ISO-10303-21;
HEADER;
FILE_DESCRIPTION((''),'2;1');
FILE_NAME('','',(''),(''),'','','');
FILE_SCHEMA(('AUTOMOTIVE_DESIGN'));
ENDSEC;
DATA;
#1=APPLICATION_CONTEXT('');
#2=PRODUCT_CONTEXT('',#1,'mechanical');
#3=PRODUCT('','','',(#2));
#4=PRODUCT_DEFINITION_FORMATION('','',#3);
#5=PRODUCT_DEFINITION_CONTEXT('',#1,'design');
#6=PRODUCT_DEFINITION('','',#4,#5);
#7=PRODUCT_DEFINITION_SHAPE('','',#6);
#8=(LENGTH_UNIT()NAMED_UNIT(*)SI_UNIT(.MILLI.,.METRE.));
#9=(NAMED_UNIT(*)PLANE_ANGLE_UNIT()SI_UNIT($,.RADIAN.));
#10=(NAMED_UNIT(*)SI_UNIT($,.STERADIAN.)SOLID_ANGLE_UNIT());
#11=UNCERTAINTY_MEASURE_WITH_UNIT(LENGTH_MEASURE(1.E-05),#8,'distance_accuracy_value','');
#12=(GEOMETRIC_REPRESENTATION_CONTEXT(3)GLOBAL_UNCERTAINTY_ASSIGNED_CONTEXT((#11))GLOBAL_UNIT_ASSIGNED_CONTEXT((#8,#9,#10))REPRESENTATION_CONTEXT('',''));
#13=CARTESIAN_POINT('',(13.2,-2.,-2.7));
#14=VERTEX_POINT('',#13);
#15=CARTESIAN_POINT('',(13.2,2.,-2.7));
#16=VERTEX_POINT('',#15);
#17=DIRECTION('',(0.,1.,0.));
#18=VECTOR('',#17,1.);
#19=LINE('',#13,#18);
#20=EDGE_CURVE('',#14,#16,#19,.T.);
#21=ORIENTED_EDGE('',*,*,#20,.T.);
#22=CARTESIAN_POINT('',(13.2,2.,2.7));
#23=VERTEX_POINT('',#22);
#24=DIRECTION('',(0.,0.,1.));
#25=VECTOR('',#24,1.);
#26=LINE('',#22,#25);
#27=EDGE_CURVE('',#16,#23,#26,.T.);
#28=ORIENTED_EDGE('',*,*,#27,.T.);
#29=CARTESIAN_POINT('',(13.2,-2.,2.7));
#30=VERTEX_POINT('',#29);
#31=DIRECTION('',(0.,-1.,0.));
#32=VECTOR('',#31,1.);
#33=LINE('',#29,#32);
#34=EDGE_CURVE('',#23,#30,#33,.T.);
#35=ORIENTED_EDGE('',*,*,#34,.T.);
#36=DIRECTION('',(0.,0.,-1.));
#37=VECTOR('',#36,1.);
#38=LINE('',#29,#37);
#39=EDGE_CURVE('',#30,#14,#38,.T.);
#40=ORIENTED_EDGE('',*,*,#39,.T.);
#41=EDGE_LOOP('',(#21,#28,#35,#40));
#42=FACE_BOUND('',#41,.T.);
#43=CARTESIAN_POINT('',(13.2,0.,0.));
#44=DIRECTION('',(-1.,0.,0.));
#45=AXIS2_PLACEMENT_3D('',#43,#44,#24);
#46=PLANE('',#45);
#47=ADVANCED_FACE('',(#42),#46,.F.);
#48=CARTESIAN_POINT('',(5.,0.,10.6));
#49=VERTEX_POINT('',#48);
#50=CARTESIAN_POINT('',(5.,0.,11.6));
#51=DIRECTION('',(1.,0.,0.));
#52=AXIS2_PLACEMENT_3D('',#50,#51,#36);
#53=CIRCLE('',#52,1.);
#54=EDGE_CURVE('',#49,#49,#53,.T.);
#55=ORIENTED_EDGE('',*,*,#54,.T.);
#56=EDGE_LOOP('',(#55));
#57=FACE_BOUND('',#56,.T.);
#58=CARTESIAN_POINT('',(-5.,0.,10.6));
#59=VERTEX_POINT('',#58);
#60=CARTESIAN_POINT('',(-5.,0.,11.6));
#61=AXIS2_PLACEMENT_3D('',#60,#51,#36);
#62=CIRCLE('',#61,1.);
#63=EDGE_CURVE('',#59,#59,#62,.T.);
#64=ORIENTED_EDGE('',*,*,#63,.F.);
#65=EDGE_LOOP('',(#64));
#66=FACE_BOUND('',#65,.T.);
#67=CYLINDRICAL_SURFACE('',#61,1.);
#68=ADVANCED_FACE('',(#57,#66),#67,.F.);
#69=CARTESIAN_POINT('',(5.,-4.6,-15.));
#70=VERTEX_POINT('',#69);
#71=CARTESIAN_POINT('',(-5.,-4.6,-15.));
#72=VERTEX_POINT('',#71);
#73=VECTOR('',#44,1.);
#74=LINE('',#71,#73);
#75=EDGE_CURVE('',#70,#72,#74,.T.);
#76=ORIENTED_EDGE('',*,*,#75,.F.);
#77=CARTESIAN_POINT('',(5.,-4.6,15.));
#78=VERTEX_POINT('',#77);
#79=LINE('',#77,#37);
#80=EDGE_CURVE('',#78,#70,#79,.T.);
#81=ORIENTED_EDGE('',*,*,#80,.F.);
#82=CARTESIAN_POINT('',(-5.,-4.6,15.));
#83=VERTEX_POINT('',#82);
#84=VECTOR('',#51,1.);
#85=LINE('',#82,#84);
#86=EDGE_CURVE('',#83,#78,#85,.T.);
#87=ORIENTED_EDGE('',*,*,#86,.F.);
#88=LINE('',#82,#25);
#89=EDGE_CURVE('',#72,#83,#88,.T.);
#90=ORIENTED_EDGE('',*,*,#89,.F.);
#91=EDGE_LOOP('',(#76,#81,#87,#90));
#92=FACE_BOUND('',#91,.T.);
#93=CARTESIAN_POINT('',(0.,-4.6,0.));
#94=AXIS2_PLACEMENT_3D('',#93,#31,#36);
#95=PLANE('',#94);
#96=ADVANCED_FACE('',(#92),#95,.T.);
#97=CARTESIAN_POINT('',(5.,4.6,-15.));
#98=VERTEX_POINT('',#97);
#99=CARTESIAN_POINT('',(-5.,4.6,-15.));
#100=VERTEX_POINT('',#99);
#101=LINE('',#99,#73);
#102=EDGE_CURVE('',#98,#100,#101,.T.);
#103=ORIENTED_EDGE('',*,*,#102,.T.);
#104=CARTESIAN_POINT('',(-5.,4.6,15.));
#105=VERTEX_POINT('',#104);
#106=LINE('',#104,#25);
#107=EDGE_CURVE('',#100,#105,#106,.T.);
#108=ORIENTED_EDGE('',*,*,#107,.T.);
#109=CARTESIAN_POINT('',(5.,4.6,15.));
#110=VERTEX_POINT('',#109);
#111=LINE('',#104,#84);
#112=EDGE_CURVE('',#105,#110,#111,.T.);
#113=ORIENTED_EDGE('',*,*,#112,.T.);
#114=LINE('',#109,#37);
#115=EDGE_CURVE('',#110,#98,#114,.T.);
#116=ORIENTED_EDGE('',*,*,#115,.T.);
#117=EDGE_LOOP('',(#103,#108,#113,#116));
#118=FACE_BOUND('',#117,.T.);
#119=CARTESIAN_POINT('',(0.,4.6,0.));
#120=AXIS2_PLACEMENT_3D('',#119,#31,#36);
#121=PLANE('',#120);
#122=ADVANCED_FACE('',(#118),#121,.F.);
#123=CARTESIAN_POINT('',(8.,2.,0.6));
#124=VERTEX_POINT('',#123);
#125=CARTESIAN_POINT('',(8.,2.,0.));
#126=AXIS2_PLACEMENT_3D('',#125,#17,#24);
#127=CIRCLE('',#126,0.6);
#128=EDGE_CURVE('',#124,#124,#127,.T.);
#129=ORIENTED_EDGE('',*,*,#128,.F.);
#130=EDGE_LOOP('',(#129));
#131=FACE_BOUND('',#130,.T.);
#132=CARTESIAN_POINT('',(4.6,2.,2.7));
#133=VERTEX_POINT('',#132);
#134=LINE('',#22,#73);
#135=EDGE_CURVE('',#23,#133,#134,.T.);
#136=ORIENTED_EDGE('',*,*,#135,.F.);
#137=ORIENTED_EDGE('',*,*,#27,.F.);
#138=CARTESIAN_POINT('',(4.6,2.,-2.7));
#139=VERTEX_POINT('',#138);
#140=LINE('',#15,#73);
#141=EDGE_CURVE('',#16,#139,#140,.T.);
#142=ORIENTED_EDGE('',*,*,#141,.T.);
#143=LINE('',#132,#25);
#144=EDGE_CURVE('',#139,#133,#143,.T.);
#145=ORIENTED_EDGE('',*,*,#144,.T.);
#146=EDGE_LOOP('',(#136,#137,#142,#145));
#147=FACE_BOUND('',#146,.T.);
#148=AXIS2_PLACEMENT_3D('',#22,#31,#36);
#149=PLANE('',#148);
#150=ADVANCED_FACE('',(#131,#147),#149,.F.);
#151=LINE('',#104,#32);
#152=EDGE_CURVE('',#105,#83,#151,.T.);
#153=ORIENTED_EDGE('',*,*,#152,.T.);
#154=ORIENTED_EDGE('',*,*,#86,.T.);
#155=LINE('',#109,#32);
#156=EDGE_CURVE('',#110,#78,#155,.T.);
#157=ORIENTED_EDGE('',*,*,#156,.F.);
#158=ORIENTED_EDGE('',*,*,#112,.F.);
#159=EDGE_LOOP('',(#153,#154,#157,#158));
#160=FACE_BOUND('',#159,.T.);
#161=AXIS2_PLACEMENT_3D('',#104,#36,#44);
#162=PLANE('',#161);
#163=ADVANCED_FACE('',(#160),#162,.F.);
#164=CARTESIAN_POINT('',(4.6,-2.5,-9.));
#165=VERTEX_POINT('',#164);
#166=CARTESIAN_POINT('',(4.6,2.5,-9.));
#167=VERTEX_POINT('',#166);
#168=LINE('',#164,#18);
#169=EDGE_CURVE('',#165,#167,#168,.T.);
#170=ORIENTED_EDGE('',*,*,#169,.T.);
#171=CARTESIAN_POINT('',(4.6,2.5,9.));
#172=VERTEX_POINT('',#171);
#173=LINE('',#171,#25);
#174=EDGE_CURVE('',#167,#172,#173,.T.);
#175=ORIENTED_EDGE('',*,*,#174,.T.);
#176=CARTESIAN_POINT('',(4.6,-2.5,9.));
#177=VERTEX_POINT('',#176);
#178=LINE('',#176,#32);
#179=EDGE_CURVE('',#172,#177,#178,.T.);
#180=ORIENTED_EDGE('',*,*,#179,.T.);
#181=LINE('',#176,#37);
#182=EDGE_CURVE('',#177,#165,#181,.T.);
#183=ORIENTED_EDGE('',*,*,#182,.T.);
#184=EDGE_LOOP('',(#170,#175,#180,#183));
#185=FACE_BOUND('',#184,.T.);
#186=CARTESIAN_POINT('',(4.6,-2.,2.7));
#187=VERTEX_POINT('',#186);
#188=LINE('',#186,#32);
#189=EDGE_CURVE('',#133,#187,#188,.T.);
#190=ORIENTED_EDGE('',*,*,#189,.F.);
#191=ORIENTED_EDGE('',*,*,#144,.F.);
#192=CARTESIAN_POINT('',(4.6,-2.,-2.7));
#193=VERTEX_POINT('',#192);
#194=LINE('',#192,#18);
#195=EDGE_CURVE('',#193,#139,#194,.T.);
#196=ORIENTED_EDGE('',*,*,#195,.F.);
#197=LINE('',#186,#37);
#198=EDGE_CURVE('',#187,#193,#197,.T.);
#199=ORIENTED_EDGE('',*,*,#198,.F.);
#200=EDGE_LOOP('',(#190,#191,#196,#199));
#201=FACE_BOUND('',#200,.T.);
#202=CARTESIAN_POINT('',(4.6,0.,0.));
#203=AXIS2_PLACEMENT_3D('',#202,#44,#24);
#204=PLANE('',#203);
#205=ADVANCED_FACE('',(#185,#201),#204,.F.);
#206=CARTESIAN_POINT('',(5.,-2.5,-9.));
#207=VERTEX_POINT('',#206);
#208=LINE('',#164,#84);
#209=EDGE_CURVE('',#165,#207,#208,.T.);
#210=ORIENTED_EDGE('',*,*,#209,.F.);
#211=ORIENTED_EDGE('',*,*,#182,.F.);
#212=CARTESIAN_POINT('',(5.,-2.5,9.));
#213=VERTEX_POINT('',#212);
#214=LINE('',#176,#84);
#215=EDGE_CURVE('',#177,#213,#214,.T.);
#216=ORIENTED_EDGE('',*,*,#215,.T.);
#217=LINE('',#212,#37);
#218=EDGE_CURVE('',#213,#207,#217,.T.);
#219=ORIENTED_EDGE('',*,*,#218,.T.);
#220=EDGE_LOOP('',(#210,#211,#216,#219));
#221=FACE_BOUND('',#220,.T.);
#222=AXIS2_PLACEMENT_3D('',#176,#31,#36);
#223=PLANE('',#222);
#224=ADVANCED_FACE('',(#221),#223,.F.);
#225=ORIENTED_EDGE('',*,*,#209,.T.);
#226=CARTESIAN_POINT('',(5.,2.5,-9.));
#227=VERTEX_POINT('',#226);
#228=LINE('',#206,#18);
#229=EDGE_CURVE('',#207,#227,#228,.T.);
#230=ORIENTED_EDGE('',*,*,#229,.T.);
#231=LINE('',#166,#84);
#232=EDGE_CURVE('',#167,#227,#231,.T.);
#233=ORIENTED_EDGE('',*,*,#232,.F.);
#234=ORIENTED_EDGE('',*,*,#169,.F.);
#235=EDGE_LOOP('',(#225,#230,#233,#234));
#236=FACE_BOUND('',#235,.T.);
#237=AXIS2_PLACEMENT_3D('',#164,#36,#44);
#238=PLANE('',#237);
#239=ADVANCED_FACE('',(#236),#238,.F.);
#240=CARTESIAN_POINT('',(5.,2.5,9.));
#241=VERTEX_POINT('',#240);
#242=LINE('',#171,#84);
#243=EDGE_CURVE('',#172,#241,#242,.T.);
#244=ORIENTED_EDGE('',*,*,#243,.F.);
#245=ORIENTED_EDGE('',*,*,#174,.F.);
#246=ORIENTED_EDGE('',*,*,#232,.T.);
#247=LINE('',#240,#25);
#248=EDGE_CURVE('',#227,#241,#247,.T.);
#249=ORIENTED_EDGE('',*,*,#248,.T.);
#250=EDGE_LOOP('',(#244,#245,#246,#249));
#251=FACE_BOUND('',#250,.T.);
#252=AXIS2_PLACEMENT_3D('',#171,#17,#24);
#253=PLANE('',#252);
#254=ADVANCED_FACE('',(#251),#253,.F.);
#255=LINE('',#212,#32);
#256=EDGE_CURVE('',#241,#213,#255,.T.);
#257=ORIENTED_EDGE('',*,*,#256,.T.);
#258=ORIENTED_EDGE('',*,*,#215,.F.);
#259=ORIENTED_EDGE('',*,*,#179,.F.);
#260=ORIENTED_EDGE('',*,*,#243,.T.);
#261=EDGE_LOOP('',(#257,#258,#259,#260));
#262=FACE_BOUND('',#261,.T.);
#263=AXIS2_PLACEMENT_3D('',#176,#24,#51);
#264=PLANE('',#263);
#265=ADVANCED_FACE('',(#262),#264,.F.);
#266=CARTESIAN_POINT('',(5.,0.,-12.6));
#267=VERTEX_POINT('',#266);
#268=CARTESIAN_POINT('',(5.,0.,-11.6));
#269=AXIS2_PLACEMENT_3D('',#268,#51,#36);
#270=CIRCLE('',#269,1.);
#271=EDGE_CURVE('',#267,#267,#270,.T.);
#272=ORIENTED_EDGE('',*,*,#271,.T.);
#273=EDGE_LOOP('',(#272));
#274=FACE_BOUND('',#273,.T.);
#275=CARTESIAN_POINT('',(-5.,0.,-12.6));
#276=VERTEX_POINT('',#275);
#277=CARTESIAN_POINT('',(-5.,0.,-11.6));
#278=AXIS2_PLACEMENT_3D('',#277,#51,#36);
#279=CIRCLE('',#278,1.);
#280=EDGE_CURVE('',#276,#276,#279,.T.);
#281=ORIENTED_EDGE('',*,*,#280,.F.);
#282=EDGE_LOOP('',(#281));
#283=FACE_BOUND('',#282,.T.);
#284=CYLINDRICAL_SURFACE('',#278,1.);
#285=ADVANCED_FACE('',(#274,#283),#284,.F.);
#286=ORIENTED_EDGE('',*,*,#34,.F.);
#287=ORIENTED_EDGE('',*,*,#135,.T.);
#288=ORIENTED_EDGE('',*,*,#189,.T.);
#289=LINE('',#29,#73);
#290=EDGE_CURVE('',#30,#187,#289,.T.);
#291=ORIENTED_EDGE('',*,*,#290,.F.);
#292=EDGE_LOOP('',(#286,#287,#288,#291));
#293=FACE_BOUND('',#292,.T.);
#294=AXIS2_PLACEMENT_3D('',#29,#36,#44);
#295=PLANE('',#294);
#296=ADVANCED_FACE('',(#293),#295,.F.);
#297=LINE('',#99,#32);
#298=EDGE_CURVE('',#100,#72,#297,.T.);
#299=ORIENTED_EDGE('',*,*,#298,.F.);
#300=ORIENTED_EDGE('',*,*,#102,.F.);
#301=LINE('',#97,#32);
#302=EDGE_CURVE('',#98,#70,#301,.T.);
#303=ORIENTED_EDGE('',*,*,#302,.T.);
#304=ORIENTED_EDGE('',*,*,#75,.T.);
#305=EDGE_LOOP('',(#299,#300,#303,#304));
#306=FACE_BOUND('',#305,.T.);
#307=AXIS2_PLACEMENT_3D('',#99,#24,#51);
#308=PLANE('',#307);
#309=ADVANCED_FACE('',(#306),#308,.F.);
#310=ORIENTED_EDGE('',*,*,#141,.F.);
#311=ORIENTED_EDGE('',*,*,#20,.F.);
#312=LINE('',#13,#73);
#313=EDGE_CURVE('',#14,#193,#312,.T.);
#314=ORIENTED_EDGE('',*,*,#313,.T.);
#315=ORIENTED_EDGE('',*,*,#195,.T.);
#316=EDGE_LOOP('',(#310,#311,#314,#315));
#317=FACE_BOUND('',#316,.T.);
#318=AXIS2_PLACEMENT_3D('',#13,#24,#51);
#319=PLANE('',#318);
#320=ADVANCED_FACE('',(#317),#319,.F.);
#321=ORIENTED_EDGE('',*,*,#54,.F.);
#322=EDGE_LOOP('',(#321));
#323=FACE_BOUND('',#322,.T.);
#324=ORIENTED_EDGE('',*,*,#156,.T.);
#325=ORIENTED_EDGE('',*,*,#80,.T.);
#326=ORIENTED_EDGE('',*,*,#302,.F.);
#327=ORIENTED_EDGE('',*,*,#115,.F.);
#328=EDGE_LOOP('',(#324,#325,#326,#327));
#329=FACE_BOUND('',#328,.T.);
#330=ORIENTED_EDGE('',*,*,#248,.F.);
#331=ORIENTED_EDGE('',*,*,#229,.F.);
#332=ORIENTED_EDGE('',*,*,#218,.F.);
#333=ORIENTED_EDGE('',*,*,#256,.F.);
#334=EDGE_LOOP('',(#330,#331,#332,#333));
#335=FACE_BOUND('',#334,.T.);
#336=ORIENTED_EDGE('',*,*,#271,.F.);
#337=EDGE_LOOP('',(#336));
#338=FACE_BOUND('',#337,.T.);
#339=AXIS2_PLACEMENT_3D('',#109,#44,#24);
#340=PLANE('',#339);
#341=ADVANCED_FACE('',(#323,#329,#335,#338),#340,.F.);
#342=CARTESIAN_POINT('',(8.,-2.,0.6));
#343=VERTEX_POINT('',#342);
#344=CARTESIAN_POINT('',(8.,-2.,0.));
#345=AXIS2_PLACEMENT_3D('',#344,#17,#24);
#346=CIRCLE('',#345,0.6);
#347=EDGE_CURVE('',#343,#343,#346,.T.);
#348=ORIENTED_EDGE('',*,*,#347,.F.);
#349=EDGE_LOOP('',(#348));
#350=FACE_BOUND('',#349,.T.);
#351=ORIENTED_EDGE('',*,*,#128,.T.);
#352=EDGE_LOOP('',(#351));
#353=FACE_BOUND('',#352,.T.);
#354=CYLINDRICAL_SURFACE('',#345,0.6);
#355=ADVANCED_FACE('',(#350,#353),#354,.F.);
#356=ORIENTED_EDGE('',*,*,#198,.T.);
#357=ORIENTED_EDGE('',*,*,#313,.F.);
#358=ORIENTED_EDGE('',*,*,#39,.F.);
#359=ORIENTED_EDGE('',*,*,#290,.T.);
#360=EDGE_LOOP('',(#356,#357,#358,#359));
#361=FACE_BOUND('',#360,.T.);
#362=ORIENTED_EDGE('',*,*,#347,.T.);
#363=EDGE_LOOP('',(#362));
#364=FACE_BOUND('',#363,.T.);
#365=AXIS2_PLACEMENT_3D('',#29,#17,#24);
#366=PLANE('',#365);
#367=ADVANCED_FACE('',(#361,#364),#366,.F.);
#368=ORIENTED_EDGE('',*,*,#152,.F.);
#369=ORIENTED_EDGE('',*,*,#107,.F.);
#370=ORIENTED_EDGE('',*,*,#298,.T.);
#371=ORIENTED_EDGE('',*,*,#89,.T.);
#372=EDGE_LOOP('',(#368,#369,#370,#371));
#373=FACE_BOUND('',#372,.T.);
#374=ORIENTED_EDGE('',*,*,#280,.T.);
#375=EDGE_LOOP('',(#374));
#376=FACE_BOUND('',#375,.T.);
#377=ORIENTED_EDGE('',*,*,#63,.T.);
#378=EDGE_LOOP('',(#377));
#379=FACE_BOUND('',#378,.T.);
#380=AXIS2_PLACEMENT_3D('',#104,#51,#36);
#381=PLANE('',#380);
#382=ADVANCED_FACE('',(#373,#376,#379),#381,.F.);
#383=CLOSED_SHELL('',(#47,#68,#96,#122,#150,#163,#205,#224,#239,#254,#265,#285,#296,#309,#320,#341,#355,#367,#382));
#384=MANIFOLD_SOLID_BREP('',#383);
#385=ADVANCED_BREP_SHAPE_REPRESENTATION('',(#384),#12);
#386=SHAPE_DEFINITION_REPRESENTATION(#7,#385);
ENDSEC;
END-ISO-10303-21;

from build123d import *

# Parameters (mm, degrees)
SKETCH_1_W          = 10
SKETCH_1_H          = 30
EXTRUDE_1_DEPTH     = 4.6
SKETCH_2_W          = 18
SKETCH_2_H          = 5
CUT_EXTRUDE_1_DEPTH = 0.4
SKETCH_3_W          = 5.4
SKETCH_3_H          = 4
EXTRUDE_2_DEPTH     = 8.6
SKETCH_4_R          = 0.6
CUT_EXTRUDE_2_DEPTH = 4
SKETCH_5_R          = 1
CUT_EXTRUDE_3_DEPTH = 11


with BuildPart() as part:
    # 草图1 → 凸台-拉伸1 (new body, symmetric)
    with BuildSketch(Plane(origin=(0, 0, 0), x_dir=(1, 0, 0), z_dir=(0, 1, 0))):
        Rectangle(SKETCH_1_W, SKETCH_1_H)
    extrude(amount=EXTRUDE_1_DEPTH, both=True)

    # 草图2 → 切除-拉伸1 (cut)
    with BuildSketch(Plane(origin=(5, 0, 0), x_dir=(0, 0, -1), z_dir=(1, 0, 0))):
        Rectangle(SKETCH_2_W, SKETCH_2_H)
    extrude(amount=-CUT_EXTRUDE_1_DEPTH, mode=Mode.SUBTRACT)

    # 草图3 → 凸台-拉伸2 (add)
    with BuildSketch(Plane(origin=(4.6, 0, 0), x_dir=(0, 0, -1), z_dir=(1, 0, 0))):
        Rectangle(SKETCH_3_W, SKETCH_3_H)
    extrude(amount=EXTRUDE_2_DEPTH)

    # 草图4 → 切除-拉伸2 (cut)
    with BuildSketch(Plane(origin=(0, 2, 0), x_dir=(1, 0, 0), z_dir=(0, 1, 0))):
        with Locations((8, 0)):
            Circle(SKETCH_4_R)
    extrude(amount=-CUT_EXTRUDE_2_DEPTH, mode=Mode.SUBTRACT)

    # 草图5 → 切除-拉伸3 (cut, through all)
    with BuildSketch(Plane(origin=(5, 0, 0), x_dir=(0, 0, -1), z_dir=(1, 0, 0))):
        with Locations((11.6, 0)):
            Circle(SKETCH_5_R)
        with Locations((-11.6, 0)):
            Circle(SKETCH_5_R)
    extrude(amount=-CUT_EXTRUDE_3_DEPTH, mode=Mode.SUBTRACT)


solid = part.part
